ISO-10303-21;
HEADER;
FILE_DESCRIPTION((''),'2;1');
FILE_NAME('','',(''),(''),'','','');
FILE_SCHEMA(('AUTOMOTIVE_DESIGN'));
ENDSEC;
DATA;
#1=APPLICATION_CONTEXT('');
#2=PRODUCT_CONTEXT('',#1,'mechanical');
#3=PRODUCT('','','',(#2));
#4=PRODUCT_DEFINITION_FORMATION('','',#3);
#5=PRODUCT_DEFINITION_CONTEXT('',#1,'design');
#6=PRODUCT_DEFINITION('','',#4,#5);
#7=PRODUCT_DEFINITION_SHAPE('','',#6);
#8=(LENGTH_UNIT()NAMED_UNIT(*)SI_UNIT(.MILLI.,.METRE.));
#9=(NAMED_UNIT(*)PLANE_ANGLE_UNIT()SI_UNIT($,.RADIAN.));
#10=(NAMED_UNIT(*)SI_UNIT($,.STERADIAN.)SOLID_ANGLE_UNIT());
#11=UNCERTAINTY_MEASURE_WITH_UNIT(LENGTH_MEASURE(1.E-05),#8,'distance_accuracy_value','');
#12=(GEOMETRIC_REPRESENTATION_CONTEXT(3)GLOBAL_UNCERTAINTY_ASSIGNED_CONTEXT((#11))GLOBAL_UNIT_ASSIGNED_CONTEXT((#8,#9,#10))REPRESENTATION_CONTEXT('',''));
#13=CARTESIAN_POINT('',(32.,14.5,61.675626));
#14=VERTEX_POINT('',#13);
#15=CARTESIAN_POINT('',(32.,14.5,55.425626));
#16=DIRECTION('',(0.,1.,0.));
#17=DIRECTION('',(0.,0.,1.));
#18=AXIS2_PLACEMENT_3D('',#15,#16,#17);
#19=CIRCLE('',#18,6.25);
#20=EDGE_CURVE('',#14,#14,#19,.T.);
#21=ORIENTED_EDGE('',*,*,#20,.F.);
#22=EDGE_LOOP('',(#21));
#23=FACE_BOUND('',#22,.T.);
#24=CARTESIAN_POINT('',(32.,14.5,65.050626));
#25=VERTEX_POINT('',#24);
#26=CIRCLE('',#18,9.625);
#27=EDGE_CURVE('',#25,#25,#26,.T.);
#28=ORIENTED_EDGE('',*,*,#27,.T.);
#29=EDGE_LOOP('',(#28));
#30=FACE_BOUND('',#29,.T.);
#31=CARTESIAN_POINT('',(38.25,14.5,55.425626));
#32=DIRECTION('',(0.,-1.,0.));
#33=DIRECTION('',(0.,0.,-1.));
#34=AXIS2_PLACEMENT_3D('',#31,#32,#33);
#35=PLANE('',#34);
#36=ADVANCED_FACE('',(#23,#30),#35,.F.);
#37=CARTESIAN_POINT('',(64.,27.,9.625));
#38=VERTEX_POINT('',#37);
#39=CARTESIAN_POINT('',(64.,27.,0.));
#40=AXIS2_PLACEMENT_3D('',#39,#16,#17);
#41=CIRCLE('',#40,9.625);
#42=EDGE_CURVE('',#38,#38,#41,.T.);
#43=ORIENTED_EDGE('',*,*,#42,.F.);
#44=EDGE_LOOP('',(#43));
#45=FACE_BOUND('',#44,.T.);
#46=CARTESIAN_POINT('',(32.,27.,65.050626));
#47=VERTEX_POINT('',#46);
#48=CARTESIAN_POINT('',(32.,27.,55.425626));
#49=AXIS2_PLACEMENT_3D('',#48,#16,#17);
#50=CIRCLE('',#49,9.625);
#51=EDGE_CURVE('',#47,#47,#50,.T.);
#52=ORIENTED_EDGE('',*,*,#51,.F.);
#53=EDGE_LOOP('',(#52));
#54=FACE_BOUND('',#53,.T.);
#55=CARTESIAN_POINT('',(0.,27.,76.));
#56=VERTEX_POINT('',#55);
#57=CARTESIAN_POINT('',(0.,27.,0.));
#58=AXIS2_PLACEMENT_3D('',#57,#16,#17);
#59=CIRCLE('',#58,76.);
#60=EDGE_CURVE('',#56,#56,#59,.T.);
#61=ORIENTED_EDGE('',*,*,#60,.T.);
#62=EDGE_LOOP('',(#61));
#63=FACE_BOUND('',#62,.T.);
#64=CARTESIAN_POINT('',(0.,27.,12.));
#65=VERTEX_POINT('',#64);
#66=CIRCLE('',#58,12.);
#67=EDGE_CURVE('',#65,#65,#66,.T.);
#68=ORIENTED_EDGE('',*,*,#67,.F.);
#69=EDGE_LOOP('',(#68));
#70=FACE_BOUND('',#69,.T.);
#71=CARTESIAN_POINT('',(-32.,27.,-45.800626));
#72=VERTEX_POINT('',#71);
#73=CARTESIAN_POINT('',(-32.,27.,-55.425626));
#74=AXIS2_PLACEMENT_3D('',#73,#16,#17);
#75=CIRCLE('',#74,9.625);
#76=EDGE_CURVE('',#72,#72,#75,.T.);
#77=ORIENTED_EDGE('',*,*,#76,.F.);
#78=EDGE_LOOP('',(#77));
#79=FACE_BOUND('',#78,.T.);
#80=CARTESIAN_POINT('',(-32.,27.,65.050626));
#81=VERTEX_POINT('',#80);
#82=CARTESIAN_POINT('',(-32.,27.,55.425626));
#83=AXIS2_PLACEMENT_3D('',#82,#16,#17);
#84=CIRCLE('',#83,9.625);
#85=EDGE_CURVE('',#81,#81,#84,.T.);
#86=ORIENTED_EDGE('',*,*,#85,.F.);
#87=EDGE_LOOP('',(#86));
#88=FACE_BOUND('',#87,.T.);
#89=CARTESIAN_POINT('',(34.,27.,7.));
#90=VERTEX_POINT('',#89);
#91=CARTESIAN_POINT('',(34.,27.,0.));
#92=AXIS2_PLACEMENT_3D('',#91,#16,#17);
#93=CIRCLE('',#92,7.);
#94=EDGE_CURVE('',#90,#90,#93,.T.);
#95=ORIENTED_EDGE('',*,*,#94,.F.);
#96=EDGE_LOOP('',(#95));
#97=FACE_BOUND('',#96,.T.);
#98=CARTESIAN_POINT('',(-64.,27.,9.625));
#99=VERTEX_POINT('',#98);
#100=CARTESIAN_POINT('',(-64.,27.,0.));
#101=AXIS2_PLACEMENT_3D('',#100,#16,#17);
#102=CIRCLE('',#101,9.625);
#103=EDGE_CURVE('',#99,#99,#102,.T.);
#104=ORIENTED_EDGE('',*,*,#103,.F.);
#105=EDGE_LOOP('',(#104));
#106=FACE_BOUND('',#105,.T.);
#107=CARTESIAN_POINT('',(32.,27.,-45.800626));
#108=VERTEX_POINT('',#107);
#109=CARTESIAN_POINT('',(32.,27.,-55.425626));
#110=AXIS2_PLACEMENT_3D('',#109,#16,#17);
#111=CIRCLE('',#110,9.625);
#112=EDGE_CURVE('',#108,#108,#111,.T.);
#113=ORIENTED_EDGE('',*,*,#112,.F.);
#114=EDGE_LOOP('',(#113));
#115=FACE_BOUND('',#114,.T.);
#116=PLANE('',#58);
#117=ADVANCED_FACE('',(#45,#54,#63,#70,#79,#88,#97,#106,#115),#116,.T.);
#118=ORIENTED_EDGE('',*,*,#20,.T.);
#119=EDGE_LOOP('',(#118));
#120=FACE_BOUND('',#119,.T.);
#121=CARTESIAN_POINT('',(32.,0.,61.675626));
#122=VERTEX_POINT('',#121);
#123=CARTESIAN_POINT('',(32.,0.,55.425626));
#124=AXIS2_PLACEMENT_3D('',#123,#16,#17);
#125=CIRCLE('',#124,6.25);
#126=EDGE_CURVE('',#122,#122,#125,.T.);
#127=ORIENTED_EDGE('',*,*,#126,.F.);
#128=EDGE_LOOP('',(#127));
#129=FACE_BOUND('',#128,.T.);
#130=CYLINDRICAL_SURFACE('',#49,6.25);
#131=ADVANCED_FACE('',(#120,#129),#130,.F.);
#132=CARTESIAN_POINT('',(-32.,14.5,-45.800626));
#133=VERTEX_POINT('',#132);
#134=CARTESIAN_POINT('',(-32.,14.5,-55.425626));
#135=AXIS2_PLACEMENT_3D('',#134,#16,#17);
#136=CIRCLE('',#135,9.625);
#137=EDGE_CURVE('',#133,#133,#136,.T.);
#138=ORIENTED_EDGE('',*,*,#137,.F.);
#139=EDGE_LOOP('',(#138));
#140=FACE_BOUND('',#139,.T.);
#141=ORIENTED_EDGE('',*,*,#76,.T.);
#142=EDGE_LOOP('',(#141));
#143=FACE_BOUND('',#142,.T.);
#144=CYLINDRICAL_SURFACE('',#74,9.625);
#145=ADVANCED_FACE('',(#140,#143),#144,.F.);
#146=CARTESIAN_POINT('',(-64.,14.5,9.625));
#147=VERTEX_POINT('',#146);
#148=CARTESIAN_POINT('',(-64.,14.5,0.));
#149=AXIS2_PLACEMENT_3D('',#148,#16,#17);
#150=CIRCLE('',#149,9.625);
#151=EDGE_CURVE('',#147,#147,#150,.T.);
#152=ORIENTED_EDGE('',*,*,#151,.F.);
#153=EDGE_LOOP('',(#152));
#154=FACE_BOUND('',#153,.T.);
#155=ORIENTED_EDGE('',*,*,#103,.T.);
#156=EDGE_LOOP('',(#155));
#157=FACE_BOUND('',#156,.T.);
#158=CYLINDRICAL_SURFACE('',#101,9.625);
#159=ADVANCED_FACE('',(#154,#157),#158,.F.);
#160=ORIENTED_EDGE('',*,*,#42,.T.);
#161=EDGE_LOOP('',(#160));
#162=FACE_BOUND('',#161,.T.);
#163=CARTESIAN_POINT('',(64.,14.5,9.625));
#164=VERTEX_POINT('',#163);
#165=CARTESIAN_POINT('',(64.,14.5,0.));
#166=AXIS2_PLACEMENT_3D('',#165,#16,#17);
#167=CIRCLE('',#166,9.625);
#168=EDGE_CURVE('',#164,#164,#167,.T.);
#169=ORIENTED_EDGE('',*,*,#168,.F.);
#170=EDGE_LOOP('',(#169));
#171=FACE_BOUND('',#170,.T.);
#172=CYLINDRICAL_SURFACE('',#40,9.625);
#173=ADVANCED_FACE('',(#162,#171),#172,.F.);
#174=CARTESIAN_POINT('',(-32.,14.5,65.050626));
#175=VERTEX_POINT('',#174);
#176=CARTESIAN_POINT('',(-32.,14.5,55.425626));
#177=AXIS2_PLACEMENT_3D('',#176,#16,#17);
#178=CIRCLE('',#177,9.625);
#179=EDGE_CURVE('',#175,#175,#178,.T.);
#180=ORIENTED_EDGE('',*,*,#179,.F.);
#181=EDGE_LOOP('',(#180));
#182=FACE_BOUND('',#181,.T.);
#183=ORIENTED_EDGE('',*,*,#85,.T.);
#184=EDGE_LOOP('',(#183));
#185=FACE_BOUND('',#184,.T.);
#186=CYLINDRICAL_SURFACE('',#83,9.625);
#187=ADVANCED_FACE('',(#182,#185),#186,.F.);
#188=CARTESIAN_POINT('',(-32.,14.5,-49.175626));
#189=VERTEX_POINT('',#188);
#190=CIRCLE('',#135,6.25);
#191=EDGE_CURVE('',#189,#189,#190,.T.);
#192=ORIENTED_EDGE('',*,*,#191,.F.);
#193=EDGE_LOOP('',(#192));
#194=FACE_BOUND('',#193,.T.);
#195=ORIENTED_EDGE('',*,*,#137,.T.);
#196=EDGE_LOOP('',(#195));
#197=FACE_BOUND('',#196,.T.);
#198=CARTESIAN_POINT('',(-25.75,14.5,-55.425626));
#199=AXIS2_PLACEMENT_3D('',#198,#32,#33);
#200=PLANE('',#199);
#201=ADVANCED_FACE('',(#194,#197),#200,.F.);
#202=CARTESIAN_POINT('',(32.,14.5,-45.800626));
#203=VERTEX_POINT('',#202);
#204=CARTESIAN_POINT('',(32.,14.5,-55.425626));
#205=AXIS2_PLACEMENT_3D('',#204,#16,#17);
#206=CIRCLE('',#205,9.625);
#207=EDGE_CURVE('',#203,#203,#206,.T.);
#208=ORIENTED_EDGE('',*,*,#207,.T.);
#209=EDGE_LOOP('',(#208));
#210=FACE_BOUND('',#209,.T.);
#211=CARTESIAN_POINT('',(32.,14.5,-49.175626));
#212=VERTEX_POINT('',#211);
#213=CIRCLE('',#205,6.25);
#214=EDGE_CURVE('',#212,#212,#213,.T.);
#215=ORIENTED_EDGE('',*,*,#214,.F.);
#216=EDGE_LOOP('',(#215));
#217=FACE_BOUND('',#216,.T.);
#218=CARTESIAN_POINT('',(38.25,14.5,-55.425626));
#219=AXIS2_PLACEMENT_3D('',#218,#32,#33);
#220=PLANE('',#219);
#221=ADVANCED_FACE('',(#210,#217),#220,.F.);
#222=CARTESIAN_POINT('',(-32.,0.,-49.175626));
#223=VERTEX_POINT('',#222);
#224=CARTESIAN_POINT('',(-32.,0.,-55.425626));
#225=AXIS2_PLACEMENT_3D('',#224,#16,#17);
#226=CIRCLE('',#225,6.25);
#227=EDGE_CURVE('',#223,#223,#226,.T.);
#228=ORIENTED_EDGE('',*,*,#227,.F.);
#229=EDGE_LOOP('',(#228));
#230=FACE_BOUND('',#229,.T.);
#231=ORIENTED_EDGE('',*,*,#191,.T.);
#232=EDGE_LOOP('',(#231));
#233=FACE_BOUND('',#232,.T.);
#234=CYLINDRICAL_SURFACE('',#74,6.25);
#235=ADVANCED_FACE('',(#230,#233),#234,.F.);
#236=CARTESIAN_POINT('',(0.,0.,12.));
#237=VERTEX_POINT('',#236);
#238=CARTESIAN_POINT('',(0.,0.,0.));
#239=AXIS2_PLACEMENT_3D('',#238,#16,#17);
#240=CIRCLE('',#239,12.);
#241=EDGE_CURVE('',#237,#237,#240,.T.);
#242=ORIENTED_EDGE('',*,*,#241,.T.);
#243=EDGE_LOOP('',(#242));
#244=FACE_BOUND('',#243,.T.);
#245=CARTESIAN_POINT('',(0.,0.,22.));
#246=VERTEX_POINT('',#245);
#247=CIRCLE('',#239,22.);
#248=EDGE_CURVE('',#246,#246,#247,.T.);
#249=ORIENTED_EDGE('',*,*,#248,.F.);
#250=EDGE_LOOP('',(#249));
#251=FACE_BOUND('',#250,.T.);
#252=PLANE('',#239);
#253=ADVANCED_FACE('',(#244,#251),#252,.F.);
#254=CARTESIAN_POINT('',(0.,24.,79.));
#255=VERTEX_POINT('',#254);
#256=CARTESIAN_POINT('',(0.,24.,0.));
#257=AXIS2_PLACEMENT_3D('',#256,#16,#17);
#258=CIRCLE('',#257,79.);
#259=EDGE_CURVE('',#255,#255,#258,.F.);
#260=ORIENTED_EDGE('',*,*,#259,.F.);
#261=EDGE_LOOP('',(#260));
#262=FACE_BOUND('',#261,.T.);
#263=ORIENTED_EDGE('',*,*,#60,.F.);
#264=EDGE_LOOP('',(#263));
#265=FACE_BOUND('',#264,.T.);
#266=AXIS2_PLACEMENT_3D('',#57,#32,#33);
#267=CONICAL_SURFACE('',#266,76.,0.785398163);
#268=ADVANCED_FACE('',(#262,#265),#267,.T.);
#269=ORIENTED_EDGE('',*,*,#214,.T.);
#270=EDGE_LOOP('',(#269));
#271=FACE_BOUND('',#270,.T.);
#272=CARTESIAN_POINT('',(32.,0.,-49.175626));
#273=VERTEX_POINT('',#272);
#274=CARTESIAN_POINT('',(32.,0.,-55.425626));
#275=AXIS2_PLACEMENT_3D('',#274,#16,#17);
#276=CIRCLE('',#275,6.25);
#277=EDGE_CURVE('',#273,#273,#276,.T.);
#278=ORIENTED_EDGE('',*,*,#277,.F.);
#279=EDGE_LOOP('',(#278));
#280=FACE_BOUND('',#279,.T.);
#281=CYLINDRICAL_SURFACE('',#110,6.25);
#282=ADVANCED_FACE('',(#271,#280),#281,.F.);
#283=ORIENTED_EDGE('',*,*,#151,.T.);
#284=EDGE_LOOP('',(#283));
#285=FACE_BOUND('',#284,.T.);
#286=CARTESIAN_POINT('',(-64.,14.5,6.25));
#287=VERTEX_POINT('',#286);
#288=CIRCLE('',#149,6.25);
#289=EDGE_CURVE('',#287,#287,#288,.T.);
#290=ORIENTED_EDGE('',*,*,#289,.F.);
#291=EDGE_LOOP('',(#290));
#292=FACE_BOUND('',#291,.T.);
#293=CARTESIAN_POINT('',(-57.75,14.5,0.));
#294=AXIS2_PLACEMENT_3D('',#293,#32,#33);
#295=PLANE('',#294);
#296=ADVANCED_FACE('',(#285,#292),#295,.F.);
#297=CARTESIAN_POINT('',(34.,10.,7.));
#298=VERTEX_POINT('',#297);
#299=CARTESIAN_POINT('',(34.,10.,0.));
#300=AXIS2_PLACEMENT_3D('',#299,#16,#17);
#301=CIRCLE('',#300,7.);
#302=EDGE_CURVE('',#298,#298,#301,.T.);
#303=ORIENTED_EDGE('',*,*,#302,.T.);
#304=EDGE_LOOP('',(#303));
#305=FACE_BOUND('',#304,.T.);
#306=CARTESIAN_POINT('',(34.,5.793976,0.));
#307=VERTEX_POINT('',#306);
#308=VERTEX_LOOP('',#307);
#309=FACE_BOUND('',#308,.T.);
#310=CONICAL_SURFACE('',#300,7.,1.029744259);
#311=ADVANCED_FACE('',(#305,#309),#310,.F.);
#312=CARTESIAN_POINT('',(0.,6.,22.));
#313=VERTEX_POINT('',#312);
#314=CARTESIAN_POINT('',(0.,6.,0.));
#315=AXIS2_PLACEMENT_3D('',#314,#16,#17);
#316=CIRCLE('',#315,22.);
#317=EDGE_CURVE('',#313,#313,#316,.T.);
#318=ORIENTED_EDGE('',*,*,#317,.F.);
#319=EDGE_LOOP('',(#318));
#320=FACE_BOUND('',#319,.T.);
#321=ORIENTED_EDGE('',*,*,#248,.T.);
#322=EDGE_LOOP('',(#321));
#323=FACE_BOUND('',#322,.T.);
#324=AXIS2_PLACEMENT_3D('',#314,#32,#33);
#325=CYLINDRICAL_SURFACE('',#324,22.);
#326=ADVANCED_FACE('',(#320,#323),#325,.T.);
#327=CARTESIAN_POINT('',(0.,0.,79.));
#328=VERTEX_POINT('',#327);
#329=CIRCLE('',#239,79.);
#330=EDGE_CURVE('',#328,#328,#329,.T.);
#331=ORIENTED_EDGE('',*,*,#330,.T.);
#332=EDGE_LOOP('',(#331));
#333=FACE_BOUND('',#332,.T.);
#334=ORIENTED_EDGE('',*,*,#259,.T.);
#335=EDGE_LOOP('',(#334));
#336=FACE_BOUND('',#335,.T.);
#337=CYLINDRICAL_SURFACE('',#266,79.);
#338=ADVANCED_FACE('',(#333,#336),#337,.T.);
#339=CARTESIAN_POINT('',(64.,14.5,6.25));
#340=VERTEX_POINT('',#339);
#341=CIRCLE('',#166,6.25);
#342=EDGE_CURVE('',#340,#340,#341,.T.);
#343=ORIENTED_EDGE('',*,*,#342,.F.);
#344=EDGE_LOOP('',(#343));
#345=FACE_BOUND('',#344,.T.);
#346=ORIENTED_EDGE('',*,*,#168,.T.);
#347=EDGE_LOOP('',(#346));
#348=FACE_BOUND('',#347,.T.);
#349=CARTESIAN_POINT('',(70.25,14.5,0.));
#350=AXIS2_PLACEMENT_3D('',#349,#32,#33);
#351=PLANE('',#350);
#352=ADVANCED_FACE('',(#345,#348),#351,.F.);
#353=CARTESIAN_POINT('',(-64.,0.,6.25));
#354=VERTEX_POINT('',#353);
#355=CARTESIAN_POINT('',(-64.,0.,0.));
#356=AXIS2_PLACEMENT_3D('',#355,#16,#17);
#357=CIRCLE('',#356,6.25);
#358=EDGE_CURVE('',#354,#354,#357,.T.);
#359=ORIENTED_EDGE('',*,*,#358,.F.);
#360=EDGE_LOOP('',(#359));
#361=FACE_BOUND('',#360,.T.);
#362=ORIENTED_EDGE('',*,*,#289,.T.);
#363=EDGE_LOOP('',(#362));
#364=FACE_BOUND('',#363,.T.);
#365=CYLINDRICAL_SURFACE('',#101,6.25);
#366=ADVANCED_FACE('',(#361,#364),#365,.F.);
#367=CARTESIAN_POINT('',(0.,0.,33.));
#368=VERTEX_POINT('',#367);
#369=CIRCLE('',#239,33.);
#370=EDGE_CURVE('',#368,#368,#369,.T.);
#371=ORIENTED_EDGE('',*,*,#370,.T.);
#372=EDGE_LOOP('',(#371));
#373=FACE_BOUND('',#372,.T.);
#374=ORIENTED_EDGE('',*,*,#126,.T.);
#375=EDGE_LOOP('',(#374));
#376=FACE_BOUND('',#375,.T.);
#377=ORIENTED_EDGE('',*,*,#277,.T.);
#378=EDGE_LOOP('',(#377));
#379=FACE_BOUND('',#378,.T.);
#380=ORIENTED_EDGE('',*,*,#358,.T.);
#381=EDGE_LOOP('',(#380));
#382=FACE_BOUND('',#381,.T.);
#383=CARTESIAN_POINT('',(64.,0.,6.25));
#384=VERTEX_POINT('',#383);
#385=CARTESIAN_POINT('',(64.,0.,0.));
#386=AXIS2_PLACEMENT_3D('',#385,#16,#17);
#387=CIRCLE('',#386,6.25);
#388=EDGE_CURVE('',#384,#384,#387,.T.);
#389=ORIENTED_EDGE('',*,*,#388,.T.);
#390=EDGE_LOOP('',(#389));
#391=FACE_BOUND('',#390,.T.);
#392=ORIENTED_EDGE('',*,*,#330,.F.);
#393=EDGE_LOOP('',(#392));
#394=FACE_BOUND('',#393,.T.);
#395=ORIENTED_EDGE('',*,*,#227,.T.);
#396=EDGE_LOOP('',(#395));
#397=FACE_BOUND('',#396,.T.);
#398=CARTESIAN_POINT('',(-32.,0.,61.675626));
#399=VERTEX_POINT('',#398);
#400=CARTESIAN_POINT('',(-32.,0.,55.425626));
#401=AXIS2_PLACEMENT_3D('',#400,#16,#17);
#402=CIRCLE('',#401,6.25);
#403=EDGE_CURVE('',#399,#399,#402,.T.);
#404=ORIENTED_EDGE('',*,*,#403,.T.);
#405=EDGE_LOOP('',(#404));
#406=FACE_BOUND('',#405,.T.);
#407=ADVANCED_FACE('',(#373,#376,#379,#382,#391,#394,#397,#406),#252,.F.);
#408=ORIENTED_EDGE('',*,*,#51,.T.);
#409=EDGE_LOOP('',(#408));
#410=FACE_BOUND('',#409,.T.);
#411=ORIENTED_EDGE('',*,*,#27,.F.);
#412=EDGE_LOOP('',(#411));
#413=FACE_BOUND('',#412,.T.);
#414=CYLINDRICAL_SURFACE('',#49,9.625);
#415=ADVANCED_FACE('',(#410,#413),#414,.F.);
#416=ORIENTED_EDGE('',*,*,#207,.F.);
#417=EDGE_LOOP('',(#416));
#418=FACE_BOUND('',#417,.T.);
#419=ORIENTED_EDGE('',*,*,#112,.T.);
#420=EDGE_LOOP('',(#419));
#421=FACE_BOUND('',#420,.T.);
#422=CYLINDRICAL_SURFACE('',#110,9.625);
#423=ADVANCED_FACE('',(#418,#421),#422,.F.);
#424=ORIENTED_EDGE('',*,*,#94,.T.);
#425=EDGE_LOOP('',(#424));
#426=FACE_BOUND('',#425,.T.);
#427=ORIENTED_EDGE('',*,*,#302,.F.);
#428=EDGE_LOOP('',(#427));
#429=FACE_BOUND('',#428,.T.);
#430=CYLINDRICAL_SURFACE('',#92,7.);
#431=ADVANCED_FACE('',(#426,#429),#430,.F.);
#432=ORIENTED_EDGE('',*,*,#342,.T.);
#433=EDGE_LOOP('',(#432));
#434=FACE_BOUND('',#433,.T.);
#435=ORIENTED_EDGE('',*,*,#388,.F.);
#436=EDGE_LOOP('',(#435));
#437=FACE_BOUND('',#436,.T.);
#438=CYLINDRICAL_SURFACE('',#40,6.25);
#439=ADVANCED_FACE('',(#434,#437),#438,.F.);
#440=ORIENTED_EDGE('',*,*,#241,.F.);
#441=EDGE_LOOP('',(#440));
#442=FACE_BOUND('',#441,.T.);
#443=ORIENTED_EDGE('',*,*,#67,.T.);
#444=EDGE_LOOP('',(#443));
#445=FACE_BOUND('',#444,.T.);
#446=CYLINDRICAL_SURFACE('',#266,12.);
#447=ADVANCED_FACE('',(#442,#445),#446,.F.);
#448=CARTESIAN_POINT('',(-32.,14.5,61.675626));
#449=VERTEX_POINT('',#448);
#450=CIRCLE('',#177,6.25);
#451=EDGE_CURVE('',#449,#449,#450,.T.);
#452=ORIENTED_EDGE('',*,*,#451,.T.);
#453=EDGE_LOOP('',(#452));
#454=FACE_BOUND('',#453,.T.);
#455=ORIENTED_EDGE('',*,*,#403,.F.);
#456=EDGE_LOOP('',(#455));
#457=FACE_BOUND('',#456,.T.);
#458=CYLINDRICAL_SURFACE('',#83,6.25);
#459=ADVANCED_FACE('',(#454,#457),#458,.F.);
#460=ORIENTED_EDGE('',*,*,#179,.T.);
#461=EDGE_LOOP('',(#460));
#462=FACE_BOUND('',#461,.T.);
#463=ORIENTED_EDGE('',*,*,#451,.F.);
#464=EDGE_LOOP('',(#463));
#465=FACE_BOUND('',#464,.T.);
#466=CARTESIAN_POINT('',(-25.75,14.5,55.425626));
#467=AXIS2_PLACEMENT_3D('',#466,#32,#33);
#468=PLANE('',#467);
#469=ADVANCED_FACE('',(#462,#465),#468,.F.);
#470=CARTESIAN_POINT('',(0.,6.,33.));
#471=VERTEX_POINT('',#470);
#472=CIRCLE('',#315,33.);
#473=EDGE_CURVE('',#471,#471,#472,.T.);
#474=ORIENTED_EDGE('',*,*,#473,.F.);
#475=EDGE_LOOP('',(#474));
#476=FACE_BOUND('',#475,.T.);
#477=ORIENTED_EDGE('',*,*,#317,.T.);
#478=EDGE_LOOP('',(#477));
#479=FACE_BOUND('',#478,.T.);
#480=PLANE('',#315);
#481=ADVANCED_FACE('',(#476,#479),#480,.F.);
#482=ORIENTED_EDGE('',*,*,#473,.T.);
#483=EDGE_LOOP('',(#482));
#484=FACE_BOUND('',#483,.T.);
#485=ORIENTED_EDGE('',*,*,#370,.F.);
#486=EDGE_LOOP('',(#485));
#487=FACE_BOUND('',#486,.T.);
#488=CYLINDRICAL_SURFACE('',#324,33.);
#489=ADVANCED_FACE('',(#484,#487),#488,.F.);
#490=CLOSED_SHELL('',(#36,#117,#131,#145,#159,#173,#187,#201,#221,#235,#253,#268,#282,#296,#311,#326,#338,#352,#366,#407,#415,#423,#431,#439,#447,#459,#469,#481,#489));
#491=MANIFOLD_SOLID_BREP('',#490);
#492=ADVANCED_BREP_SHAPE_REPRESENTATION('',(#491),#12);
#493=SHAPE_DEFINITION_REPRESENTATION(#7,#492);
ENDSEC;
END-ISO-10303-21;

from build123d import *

# Parameters (mm, degrees)
SKETCH1_R                               = 79
SKETCH1_R_2                             = 12
BOSS_EXTRUDE1_DEPTH                     = 27
CBORE_FOR_M5_HEX_HEAD_BOLT6_D           = 12.5
CBORE_FOR_M5_HEX_HEAD_BOLT6_CBORE_D     = 19.25
CBORE_FOR_M5_HEX_HEAD_BOLT6_CBORE_DEPTH = 12.5
CIRPATTERN1_COUNT                       = 6
F_1_0MM_DOWEL_HOLE1_D                   = 14
F_1_0MM_DOWEL_HOLE1_DEPTH               = 17
F_1_0MM_DOWEL_HOLE1_TIP                 = 4.206024333
SKETCH20_R                              = 33
SKETCH20_R_2                            = 22
CUT_EXTRUDE1_DEPTH                      = 6
CHAMFER1_SIZE                           = 3


with BuildPart() as part:
    # Sketch1 → Boss-Extrude1 (new body)
    with BuildSketch(Plane(origin=(0, 0, 0), x_dir=(1, 0, 0), z_dir=(0, 1, 0))):
        Circle(SKETCH1_R)
        Circle(SKETCH1_R_2, mode=Mode.SUBTRACT)
    extrude(amount=BOSS_EXTRUDE1_DEPTH)

    # CBORE for M5 Hex Head Bolt6 (through all)
    with Locations(Plane(origin=(0, 27, 0), x_dir=(1, 0, 0), z_dir=(0, 1, 0))):
        with Locations((32, 55.425625842)):
            cbore_for_m5_hex_head_bolt6 = CounterBoreHole(CBORE_FOR_M5_HEX_HEAD_BOLT6_D / 2, CBORE_FOR_M5_HEX_HEAD_BOLT6_CBORE_D / 2, CBORE_FOR_M5_HEX_HEAD_BOLT6_CBORE_DEPTH)

    # CirPattern1: CBORE for M5 Hex Head Bolt6 ×6 about axis
    cirpattern1_axis = Axis((0, 0, 0), (0, 1, 0))
    for i in range(1, CIRPATTERN1_COUNT):
        add(cbore_for_m5_hex_head_bolt6.rotate(cirpattern1_axis, i * 360 / CIRPATTERN1_COUNT), mode=Mode.SUBTRACT)

    # Ø1.0mm Dowel Hole1
    with Locations(Plane(origin=(0, 27, 0), x_dir=(1, 0, 0), z_dir=(0, 1, 0))):
        with Locations((34, 0)):
            Hole(F_1_0MM_DOWEL_HOLE1_D / 2, depth=F_1_0MM_DOWEL_HOLE1_DEPTH)
            with Locations((0, 0, -(F_1_0MM_DOWEL_HOLE1_DEPTH + F_1_0MM_DOWEL_HOLE1_TIP / 2))):  # 118° drill point
                Cone(0, F_1_0MM_DOWEL_HOLE1_D / 2, F_1_0MM_DOWEL_HOLE1_TIP, mode=Mode.SUBTRACT)

    # Sketch20 → Cut-Extrude1 (cut)
    with BuildSketch(Plane(origin=(0, 0, 0), x_dir=(1, 0, 0), z_dir=(0, 1, 0))):
        Circle(SKETCH20_R)
        Circle(SKETCH20_R_2, mode=Mode.SUBTRACT)
    extrude(amount=CUT_EXTRUDE1_DEPTH, mode=Mode.SUBTRACT)

    # Chamfer1
    chamfer1_edges = [part.edges().sort_by_distance(p)[0] for p in [
        (-79, 27, 0),
    ]]
    chamfer(chamfer1_edges, length=CHAMFER1_SIZE)


solid = part.part
